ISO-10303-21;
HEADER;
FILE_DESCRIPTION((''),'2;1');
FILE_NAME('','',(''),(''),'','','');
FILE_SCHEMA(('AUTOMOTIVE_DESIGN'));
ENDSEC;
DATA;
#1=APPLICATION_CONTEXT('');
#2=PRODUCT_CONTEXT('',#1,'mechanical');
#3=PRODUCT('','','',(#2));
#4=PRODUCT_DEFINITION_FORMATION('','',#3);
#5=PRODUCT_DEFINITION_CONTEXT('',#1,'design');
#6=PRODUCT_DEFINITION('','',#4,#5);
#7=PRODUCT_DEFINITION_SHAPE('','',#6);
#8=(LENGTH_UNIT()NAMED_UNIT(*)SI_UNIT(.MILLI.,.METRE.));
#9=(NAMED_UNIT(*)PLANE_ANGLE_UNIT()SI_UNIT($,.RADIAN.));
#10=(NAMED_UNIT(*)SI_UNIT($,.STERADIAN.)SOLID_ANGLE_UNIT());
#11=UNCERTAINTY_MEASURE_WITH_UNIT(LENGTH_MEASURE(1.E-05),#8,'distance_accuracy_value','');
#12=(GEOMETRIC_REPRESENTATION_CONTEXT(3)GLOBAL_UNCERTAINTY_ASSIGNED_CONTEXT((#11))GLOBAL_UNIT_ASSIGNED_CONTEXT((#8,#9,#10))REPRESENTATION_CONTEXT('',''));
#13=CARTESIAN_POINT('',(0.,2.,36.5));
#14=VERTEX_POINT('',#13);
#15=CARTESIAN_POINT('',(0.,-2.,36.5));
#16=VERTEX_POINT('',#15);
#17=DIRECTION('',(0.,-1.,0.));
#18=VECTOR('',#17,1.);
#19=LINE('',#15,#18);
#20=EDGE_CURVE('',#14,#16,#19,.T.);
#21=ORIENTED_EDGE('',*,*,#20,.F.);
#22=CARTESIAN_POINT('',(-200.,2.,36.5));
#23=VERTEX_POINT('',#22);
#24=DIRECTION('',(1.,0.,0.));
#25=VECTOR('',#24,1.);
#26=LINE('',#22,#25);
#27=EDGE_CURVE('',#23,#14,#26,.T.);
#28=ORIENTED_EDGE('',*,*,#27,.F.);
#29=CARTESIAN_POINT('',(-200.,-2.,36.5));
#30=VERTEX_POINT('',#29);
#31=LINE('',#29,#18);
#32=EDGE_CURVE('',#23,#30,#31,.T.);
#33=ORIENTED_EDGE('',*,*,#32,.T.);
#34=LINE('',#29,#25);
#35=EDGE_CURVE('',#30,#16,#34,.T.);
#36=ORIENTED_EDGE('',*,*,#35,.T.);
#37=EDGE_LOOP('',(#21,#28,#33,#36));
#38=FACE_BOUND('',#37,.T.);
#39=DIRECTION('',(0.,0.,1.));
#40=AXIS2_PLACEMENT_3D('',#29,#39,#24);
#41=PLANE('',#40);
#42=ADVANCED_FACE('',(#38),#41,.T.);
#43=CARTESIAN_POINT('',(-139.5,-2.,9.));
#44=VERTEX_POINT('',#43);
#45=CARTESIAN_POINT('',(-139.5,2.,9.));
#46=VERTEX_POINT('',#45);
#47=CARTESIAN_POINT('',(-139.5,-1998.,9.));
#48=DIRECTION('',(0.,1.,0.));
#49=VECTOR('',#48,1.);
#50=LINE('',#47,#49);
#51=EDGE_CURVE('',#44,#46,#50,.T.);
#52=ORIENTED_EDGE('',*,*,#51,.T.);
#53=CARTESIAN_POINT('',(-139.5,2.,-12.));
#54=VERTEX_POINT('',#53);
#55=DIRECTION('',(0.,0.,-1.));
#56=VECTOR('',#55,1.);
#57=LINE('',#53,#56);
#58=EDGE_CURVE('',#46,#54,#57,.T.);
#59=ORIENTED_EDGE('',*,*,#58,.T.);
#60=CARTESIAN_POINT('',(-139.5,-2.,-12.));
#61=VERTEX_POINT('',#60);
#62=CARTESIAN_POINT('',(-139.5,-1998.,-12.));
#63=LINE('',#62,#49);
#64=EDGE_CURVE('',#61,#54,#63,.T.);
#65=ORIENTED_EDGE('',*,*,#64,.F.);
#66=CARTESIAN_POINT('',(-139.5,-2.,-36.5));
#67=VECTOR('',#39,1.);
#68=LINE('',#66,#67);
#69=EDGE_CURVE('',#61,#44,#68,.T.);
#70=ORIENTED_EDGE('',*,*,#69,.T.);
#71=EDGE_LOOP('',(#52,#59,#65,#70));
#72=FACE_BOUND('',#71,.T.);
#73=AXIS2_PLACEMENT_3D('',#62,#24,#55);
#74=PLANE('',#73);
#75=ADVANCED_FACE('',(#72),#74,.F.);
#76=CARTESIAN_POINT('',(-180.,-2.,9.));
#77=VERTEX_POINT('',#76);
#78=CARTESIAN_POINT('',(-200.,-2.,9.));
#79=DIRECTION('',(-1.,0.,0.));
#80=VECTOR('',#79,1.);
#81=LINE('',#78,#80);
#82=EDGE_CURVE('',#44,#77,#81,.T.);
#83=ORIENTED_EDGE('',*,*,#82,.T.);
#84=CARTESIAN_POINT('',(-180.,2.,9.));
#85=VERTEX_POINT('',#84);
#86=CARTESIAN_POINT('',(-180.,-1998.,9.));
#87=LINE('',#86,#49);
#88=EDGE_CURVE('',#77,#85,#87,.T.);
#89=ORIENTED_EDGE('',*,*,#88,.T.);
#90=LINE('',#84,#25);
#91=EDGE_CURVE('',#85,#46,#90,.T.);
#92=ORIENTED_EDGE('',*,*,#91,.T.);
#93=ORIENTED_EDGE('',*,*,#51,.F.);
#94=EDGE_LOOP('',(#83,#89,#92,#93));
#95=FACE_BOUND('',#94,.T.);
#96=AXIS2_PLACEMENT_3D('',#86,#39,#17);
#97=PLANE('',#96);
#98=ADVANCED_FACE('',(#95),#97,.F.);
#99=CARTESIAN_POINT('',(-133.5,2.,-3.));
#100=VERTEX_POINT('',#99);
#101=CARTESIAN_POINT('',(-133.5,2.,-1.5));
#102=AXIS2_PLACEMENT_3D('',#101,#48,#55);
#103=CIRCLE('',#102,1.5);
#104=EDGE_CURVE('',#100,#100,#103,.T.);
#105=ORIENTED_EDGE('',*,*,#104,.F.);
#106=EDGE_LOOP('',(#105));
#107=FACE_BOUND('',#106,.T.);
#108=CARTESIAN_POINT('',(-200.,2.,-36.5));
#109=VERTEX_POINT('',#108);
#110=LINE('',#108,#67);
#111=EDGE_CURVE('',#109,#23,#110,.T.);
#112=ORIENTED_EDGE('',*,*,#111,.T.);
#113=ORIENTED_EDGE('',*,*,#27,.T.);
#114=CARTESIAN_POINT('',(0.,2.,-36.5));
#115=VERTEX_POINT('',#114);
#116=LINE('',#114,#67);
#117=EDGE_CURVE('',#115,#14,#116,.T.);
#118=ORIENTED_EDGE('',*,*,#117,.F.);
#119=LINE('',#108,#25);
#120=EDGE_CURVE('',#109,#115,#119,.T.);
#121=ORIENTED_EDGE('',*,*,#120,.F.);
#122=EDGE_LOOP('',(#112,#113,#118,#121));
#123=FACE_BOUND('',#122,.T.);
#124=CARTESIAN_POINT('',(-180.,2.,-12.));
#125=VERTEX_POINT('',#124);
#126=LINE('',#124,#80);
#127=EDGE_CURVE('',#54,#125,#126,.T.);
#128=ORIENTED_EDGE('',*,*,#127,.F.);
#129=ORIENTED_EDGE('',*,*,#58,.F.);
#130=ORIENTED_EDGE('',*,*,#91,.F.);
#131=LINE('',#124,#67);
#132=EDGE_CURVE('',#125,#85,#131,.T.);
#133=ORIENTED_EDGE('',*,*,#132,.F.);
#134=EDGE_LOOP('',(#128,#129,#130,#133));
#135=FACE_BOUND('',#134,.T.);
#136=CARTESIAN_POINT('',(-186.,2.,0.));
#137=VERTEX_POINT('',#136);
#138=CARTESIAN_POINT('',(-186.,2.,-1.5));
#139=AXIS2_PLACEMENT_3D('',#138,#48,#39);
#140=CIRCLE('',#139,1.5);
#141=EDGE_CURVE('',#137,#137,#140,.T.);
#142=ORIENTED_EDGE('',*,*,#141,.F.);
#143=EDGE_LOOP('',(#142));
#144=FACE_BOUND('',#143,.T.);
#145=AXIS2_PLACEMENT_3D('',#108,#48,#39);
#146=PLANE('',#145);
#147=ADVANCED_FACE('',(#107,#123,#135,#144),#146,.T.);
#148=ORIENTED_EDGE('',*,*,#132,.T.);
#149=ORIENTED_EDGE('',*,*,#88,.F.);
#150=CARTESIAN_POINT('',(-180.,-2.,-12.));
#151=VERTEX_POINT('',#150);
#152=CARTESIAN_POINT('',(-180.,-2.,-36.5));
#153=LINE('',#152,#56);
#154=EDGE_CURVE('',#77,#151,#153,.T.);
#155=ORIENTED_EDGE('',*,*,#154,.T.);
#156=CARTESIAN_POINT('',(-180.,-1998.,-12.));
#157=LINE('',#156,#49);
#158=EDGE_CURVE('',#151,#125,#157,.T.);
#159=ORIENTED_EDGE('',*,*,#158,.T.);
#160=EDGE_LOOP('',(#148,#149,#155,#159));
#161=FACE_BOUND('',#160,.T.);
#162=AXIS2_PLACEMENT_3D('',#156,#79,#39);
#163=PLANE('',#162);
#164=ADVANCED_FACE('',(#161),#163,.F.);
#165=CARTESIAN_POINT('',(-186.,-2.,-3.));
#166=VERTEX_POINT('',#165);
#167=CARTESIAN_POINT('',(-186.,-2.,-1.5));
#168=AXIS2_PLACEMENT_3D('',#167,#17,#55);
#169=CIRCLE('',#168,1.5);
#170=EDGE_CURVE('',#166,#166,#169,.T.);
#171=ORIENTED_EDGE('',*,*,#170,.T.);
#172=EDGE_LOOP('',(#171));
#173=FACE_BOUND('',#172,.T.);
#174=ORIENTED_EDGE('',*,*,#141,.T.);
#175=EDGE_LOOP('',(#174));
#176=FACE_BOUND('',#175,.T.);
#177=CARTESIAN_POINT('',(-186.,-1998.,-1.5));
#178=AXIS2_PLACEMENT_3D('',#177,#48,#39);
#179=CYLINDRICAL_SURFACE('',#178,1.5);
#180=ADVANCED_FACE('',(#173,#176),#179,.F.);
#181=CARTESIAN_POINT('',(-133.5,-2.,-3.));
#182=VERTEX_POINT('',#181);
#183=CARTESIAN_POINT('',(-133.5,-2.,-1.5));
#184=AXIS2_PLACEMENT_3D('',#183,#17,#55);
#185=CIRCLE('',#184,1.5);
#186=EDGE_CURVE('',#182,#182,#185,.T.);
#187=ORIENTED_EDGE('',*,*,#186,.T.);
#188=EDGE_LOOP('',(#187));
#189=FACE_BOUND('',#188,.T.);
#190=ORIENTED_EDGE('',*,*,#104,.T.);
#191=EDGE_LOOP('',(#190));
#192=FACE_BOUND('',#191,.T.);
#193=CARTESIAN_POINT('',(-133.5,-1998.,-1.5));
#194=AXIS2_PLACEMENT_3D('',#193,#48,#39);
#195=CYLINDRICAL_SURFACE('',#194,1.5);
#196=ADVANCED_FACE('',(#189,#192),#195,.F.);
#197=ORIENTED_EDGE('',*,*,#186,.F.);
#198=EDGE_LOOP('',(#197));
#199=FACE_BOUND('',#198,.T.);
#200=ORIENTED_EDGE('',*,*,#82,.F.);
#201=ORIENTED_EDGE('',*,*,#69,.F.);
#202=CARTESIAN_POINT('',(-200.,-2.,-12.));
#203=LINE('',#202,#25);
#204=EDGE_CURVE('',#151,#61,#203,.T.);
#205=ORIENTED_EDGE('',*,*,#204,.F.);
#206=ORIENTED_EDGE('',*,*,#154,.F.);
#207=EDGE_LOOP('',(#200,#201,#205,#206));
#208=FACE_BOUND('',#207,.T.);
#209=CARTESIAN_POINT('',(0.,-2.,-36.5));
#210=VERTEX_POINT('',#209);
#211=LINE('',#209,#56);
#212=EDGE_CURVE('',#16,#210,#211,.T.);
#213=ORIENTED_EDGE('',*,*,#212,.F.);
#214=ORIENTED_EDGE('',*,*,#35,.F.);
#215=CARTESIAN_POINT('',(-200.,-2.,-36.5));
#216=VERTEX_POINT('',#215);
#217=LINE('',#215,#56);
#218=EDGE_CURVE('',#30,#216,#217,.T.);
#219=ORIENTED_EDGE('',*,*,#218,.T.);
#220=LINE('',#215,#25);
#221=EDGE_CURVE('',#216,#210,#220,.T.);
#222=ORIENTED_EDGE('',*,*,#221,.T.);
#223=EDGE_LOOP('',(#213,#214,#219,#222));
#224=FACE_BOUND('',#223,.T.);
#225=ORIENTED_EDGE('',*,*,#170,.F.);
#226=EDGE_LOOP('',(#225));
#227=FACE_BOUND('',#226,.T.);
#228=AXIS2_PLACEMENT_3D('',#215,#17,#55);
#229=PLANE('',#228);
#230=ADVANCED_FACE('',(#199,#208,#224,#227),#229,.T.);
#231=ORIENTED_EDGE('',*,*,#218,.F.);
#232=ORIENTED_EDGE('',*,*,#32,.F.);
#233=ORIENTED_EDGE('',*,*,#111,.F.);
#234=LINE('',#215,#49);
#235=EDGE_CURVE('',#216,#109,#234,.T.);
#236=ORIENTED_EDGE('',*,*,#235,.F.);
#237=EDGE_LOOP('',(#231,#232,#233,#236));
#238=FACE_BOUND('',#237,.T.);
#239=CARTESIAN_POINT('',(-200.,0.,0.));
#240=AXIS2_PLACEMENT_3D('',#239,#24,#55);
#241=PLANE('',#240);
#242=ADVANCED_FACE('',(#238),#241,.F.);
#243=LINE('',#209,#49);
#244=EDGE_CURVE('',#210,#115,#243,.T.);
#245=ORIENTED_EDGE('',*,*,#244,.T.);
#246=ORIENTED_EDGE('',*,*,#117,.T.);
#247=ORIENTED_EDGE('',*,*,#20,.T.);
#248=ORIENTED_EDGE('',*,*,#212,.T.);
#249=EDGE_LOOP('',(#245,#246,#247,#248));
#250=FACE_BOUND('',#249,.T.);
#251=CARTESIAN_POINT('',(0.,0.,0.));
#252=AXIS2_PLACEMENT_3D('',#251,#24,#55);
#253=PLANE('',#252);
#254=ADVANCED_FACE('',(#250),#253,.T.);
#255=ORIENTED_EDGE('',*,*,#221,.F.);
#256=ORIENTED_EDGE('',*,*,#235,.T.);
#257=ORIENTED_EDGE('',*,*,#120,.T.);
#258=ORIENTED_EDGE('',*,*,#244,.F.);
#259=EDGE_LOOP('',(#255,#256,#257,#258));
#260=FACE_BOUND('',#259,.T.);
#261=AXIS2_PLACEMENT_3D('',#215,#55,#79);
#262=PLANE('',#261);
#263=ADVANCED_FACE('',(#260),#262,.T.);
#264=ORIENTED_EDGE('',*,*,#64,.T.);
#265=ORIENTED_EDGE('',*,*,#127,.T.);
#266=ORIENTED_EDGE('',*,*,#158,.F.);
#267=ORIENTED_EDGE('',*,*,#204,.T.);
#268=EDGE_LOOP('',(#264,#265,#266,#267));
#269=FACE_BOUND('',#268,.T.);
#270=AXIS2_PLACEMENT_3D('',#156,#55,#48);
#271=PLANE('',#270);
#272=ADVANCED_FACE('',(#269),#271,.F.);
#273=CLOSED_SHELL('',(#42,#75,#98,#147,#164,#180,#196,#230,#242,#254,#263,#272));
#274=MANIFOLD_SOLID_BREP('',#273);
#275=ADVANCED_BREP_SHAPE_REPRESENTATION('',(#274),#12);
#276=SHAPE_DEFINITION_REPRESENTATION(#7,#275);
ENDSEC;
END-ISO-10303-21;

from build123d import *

# Parameters (mm, degrees)
SKETCH1_W           = 73
SKETCH1_H           = 4
BOSS_EXTRUDE1_DEPTH = 200
SKETCH2_R           = 1.5
SKETCH2_W           = 40.5
SKETCH2_H           = 21
CUT_EXTRUDE1_DEPTH  = 2000


with BuildPart() as part:
    # Sketch1 → Boss-Extrude1 (new body)
    with BuildSketch(Plane(origin=(0, 0, 0), x_dir=(0, 0, -1), z_dir=(1, 0, 0))):
        Rectangle(SKETCH1_W, SKETCH1_H)
    extrude(amount=-BOSS_EXTRUDE1_DEPTH)

    # Sketch2 → Cut-Extrude1 (cut)
    with BuildSketch(Plane(origin=(0, 2, 0), x_dir=(1, 0, 0), z_dir=(0, 1, 0))):
        with Locations(Location((-186, 1.5, 0), (0, 0, 270))):
            Circle(SKETCH2_R)
        with Locations(Location((-133.5, 1.5, 0), (0, 0, 90))):
            Circle(SKETCH2_R)
        with Locations((-159.75, 1.5)):
            Rectangle(SKETCH2_W, SKETCH2_H)
    extrude(amount=-CUT_EXTRUDE1_DEPTH, mode=Mode.SUBTRACT)


solid = part.part
